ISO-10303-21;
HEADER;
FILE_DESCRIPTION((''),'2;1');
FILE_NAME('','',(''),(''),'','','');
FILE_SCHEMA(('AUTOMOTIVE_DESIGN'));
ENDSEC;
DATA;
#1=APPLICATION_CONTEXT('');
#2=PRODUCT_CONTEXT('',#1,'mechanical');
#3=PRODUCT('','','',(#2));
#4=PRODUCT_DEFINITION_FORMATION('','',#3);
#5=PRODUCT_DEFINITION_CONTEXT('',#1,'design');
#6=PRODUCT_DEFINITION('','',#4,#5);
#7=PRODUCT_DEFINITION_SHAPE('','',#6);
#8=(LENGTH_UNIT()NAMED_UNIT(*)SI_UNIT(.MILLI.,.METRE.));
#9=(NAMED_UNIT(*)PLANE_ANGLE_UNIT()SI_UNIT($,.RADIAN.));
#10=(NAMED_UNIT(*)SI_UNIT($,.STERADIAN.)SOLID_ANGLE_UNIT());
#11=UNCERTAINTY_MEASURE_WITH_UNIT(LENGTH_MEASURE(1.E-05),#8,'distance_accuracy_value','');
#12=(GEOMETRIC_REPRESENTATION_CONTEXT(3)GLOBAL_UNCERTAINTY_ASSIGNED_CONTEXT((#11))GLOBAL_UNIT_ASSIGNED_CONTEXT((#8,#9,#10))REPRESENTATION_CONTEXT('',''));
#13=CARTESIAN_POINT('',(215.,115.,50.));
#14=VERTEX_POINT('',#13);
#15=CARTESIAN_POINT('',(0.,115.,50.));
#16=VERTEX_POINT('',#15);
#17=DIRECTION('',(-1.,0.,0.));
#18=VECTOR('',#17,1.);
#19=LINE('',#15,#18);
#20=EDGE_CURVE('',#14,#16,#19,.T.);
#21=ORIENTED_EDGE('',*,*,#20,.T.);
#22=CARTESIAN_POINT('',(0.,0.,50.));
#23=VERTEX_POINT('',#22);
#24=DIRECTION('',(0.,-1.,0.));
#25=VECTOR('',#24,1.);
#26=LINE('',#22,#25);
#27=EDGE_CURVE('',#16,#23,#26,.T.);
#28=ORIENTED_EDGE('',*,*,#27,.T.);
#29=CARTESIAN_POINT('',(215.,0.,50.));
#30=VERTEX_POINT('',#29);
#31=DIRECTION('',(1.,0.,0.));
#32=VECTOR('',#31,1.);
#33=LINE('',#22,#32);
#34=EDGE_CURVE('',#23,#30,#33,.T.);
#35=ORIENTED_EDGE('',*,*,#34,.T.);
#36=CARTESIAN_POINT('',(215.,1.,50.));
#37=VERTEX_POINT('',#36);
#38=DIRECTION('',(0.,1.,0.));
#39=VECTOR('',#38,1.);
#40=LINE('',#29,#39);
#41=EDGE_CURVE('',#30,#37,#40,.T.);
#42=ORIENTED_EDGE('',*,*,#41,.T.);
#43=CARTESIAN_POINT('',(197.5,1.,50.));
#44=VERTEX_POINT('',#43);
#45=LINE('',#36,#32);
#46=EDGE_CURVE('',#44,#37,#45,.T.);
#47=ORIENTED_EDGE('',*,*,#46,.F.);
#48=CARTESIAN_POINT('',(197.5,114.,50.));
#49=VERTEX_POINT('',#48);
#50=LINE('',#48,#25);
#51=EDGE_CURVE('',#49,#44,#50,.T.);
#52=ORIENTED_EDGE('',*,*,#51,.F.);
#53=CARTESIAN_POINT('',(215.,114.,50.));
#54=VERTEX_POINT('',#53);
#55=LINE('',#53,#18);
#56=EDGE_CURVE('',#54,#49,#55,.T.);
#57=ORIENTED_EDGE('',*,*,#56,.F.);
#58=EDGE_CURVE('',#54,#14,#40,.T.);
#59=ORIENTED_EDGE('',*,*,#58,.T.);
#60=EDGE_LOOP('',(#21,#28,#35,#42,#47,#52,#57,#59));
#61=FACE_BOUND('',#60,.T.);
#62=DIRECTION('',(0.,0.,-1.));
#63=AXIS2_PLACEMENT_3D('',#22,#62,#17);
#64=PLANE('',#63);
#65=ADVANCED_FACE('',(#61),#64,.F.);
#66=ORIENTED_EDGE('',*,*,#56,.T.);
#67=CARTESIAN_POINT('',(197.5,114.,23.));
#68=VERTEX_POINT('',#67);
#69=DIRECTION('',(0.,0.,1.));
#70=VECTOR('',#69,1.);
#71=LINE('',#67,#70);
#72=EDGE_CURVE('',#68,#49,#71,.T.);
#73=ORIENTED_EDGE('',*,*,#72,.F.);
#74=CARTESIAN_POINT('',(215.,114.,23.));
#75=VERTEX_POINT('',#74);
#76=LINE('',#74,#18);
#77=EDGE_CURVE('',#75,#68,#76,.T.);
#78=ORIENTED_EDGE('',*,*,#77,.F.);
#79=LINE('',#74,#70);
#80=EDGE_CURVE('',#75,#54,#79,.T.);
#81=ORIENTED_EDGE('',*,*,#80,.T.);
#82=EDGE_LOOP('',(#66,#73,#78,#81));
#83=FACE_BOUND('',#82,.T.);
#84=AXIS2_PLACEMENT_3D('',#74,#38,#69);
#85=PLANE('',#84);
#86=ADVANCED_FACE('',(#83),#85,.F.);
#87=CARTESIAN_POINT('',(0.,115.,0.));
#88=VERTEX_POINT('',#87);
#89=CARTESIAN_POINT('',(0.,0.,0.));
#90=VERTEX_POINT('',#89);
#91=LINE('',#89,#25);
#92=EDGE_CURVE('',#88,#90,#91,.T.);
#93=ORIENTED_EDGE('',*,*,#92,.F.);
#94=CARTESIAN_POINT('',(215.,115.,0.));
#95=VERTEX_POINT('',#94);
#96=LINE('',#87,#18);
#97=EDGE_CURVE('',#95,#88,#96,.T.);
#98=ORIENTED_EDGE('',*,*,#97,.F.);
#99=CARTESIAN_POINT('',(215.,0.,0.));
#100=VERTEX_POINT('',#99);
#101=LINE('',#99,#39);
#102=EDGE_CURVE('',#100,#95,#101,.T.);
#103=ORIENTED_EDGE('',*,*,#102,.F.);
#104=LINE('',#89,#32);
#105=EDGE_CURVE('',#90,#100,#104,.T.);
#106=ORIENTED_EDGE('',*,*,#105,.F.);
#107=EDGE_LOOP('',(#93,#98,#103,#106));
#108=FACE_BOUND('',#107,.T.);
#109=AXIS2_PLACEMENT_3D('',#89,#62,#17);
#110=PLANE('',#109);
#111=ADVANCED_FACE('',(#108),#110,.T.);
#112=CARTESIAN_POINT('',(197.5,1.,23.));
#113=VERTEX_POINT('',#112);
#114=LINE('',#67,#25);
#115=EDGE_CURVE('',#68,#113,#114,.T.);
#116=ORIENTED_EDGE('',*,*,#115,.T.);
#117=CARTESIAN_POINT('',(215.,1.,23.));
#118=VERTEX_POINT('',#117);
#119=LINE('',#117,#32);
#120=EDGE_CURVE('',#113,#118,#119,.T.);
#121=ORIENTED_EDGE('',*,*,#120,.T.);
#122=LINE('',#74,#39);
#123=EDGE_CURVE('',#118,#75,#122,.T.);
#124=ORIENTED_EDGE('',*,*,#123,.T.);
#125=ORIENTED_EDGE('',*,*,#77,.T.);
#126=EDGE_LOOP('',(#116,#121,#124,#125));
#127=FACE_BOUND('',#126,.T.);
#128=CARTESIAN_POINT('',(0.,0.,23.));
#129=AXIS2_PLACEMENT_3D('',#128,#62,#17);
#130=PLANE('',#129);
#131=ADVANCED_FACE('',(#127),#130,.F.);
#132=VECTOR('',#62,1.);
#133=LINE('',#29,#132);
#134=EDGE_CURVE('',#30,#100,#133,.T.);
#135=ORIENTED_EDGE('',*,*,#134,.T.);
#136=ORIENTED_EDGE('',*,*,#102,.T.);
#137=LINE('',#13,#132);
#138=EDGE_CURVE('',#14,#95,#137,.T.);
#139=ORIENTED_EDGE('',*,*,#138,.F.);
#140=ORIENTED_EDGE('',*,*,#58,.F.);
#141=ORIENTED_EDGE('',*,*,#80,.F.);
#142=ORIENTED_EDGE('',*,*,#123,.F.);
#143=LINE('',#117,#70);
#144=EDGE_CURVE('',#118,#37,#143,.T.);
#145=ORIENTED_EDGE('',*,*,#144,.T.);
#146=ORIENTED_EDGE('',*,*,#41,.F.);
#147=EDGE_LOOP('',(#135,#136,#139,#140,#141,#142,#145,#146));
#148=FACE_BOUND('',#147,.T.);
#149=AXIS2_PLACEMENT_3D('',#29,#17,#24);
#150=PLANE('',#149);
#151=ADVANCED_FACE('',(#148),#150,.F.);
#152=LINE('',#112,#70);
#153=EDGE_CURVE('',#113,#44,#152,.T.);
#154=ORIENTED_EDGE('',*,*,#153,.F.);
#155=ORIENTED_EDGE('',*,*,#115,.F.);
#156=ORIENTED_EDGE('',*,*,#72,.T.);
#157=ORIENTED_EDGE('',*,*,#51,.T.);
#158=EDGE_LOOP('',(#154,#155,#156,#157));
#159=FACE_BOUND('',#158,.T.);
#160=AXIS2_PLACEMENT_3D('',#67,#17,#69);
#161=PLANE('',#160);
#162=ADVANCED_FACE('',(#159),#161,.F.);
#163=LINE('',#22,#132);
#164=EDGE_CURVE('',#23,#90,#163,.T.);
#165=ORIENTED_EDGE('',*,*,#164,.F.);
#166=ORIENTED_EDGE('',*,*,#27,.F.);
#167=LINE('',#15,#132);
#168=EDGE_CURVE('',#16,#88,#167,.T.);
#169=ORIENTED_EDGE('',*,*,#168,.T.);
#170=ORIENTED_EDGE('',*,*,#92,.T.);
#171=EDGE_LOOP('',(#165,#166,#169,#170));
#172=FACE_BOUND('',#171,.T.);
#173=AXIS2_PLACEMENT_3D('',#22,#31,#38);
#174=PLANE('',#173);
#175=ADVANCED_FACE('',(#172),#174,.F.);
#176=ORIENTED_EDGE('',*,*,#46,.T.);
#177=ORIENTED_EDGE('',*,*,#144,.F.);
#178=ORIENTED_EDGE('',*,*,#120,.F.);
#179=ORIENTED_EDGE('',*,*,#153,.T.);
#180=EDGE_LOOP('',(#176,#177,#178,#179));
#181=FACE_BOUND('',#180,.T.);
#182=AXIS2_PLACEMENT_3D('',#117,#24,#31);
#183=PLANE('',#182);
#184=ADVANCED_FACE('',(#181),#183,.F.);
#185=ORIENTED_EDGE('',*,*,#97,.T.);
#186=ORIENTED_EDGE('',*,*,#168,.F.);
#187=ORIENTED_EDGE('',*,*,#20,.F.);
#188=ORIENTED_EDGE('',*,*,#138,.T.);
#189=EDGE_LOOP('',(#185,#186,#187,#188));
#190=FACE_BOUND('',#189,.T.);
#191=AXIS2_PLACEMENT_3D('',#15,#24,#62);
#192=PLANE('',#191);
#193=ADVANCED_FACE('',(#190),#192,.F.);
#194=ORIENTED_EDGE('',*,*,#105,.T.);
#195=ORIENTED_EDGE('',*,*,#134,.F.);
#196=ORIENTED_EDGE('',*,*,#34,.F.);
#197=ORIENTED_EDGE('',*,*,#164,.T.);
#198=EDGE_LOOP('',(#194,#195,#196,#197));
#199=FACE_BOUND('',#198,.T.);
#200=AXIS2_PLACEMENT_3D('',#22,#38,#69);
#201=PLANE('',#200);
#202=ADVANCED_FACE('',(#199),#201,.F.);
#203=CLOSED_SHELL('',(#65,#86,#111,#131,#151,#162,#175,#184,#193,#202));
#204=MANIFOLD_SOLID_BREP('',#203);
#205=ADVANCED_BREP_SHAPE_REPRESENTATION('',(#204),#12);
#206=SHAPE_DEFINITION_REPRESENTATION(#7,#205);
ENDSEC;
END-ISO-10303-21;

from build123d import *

# Parameters (mm, degrees)
SKETCH1_W           = 215
SKETCH1_H           = 115
BOSS_EXTRUDE1_DEPTH = 50
SKETCH2_W           = 17.5
SKETCH2_H           = 113
CUT_EXTRUDE1_DEPTH  = 27


with BuildPart() as part:
    # Sketch1 → Boss-Extrude1 (new body)
    with BuildSketch(Plane.XY):
        with Locations((107.5, 57.5)):
            Rectangle(SKETCH1_W, SKETCH1_H)
    extrude(amount=BOSS_EXTRUDE1_DEPTH)

    # Sketch2 → Cut-Extrude1 (cut)
    with BuildSketch(Plane.XY.offset(50)):
        with Locations((206.25, 57.5)):
            Rectangle(SKETCH2_W, SKETCH2_H)
    extrude(amount=-CUT_EXTRUDE1_DEPTH, mode=Mode.SUBTRACT)


solid = part.part
